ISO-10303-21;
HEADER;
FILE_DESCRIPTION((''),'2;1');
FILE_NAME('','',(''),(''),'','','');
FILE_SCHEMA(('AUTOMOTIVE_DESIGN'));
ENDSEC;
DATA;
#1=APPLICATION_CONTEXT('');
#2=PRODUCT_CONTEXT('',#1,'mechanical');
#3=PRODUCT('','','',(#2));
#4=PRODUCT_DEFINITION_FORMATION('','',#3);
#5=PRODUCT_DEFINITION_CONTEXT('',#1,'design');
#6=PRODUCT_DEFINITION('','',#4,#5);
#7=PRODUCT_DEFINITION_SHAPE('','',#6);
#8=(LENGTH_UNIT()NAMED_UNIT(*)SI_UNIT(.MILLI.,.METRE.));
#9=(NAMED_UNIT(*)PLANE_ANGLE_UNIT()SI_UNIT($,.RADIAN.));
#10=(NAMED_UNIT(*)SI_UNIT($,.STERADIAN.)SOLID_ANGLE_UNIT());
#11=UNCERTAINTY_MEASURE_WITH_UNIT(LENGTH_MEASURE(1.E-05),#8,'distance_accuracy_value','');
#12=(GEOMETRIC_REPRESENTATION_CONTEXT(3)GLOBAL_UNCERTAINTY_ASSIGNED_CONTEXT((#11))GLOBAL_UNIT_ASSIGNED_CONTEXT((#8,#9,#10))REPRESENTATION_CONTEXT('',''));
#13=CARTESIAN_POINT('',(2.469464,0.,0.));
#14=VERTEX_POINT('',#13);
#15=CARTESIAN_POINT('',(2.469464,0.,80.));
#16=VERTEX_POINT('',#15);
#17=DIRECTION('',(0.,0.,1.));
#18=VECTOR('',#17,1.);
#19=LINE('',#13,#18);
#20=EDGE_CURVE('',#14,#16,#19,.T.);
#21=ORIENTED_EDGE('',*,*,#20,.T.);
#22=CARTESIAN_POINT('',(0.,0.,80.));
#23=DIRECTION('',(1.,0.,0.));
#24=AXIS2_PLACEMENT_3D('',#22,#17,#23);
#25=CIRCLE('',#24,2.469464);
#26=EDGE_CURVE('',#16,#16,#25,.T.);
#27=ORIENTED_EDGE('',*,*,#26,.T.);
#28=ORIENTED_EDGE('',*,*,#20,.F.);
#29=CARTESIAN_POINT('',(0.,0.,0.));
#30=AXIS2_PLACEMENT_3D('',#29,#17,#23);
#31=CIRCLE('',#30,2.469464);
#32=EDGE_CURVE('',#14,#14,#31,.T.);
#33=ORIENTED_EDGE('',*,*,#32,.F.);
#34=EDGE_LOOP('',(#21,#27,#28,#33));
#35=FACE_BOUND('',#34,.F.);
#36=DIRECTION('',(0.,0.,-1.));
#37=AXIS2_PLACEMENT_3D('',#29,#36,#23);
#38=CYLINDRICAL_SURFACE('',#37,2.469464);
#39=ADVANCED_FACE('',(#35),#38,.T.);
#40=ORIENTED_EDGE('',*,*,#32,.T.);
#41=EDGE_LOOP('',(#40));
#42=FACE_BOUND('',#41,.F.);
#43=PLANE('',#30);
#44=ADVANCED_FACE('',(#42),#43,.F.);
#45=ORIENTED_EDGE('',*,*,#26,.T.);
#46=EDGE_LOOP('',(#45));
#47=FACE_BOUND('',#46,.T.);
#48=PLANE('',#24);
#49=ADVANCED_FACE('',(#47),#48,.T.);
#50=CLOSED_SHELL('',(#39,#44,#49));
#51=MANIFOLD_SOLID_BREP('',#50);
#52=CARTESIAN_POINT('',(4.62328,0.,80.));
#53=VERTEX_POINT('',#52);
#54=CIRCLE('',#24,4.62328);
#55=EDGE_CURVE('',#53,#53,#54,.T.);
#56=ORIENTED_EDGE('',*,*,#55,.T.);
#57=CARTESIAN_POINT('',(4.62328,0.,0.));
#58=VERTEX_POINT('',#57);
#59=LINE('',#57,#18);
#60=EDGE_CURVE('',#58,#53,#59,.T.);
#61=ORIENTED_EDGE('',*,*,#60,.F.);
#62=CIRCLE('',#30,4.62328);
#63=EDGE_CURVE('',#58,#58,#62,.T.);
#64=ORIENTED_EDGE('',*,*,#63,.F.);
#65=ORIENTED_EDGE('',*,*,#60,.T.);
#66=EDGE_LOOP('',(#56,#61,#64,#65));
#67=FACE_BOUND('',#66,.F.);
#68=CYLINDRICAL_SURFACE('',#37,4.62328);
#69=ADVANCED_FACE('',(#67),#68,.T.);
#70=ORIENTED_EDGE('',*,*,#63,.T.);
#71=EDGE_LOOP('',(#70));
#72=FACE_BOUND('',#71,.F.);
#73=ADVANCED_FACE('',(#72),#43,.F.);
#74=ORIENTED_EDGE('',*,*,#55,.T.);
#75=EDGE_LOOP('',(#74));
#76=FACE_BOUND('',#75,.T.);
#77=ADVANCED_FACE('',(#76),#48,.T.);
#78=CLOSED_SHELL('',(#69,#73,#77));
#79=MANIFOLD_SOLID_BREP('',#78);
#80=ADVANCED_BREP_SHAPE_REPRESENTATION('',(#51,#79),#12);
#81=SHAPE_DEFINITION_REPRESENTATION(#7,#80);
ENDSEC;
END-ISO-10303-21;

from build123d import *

# Parameters (mm, degrees)
F1_R     = 4.6232796117
F2_DEPTH = 80
F0_R     = 2.4694635694


with BuildPart() as f2:
    # F1 (on Top) → F2 (new body)
    with BuildSketch(Plane.XY):
        Circle(F1_R)
    extrude(amount=F2_DEPTH)


with BuildPart() as f2b:
    # F0 (on Top) → F2, piece 2 (new body)
    with BuildSketch(Plane.XY):
        Circle(F0_R)
    extrude(amount=F2_DEPTH)


solid = Compound([f2.part, f2b.part])
